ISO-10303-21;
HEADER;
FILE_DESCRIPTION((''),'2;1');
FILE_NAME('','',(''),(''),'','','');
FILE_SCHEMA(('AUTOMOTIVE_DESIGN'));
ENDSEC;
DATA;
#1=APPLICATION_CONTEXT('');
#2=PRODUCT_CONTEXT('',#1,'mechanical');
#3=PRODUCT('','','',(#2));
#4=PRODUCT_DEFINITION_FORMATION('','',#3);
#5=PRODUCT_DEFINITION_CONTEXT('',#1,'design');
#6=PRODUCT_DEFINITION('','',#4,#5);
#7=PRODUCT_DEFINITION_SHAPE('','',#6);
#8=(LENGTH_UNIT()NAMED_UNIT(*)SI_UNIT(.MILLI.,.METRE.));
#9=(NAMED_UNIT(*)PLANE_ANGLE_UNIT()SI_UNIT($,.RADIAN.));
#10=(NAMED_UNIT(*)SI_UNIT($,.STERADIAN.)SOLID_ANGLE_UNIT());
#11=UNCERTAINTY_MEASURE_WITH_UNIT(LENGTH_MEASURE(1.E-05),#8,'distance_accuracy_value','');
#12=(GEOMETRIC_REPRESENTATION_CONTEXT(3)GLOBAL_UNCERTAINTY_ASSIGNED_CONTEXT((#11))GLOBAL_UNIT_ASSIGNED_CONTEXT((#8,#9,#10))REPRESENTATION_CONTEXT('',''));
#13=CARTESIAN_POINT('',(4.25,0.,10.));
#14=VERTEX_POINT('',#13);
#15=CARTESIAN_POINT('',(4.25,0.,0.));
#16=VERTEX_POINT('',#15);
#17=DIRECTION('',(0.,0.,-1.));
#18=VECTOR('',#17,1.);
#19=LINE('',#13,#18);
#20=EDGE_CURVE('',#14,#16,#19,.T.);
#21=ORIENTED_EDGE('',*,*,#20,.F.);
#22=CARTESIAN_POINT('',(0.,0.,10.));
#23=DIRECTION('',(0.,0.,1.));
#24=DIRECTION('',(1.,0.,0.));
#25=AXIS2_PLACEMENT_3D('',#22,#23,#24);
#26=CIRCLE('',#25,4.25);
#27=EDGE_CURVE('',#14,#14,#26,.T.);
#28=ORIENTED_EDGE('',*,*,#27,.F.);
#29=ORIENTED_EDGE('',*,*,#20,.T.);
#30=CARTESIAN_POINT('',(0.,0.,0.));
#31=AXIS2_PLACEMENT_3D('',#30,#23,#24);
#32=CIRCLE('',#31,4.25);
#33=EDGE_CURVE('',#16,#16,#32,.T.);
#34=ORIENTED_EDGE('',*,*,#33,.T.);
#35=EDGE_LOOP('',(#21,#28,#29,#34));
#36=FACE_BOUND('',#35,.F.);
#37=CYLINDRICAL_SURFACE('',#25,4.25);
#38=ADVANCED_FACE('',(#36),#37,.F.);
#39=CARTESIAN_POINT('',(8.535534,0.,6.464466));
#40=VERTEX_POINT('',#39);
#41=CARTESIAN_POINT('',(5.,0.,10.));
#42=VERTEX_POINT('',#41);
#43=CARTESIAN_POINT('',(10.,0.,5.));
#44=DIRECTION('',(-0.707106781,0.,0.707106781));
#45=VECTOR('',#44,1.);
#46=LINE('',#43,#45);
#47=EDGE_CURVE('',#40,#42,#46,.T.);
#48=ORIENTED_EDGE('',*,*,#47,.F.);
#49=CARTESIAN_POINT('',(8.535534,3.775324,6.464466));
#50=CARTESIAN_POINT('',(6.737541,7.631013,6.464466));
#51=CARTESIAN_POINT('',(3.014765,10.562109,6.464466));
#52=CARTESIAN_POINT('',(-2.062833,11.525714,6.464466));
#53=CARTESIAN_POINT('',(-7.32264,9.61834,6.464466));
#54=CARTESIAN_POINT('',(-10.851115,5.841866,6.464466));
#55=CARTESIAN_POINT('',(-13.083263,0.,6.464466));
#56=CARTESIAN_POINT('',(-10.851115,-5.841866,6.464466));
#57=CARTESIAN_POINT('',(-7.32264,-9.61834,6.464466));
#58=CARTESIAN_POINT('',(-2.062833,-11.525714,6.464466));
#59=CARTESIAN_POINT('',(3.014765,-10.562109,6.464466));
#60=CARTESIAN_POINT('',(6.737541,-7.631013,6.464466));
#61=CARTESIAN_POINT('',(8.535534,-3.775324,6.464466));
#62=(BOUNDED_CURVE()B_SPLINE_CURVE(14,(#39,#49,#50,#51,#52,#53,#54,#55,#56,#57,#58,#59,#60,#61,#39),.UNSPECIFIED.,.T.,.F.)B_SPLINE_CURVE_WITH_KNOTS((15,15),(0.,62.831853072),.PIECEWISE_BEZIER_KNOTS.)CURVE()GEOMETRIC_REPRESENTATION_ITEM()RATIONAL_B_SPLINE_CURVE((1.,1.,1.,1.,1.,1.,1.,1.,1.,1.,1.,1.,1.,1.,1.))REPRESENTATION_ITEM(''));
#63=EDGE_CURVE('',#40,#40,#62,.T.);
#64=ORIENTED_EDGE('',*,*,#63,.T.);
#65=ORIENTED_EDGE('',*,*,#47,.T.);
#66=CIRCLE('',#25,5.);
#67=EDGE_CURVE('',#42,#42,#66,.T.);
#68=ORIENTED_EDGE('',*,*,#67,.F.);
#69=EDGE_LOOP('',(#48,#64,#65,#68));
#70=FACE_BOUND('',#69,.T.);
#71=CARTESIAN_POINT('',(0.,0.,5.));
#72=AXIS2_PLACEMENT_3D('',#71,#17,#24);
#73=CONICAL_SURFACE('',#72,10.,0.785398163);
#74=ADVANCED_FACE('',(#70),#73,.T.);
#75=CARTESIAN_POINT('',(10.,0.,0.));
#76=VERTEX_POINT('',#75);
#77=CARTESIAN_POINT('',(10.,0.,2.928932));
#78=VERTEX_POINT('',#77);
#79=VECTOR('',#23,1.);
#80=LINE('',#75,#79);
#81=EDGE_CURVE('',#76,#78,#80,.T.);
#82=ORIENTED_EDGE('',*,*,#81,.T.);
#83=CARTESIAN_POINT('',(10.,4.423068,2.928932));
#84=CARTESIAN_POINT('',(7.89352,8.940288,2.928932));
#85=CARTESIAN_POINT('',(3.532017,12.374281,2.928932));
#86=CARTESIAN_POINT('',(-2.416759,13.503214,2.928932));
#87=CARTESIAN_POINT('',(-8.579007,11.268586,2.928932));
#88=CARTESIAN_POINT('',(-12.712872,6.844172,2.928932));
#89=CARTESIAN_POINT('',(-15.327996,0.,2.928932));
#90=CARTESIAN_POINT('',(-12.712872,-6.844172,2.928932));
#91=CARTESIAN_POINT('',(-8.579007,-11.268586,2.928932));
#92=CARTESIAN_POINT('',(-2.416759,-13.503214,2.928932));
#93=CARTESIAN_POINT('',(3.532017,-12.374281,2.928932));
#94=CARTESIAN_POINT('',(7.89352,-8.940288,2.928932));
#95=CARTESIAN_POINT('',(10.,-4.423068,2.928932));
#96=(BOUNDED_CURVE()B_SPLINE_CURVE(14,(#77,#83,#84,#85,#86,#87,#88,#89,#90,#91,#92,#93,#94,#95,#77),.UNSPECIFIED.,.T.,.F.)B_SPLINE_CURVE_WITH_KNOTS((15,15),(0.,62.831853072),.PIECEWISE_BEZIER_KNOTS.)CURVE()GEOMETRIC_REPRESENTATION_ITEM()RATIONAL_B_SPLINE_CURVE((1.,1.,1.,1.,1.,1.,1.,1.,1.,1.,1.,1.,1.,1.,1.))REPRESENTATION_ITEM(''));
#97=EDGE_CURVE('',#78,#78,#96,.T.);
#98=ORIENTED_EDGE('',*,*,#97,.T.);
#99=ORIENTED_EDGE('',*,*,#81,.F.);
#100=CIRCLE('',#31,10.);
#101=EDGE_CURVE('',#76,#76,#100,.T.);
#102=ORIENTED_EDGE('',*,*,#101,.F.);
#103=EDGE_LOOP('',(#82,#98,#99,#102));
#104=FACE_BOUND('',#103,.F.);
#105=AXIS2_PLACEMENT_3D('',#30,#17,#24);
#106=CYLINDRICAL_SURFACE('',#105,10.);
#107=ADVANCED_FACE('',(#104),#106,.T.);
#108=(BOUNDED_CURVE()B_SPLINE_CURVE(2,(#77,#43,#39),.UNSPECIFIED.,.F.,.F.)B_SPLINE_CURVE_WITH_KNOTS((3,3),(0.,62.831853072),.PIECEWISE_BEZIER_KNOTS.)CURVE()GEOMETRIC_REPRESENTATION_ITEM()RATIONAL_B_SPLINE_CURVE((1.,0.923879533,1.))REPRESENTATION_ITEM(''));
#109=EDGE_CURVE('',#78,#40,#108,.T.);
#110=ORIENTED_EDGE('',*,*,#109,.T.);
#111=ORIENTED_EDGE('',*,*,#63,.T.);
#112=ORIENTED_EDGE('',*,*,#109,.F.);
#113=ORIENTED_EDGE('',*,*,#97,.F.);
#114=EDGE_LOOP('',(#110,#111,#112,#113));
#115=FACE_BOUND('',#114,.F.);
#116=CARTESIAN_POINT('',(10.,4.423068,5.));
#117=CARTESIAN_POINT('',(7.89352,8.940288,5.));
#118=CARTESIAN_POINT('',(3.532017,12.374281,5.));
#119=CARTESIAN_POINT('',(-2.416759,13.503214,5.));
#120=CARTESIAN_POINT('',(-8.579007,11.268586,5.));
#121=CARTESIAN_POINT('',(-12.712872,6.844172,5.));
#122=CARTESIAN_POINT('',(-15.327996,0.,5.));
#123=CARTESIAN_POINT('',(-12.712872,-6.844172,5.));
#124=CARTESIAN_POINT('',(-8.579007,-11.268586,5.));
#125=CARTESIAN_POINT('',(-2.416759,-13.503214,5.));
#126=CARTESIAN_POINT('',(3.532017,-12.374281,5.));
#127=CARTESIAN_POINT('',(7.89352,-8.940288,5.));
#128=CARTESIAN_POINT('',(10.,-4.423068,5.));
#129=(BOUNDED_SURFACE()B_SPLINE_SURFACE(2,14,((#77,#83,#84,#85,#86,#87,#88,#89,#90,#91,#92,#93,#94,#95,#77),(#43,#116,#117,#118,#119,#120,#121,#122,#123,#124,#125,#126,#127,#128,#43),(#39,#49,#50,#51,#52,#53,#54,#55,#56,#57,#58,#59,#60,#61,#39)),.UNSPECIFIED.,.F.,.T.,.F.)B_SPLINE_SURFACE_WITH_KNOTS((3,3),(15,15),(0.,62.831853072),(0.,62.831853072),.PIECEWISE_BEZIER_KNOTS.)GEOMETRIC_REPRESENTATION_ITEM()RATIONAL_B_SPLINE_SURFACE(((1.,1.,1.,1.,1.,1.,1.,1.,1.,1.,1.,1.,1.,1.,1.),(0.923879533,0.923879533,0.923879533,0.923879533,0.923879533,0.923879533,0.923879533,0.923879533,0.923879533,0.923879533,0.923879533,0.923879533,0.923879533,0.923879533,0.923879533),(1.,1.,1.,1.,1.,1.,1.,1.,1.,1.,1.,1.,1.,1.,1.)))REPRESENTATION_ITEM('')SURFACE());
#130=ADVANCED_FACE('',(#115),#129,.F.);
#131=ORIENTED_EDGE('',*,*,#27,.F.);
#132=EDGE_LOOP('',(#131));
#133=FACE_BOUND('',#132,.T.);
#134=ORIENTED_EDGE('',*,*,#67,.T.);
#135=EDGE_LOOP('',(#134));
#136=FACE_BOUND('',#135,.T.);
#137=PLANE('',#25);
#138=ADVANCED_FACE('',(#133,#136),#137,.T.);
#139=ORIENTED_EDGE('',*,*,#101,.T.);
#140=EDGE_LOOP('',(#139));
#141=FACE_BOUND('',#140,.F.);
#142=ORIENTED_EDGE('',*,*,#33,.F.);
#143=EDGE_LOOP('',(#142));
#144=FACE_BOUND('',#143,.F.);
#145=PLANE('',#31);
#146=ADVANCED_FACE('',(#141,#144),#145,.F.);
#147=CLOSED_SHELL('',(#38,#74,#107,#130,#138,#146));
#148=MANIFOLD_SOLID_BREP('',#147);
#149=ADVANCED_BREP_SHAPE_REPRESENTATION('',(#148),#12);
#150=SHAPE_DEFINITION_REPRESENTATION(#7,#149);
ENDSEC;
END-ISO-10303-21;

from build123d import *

# Parameters (mm, degrees)
F0_R     = 10
F1_DEPTH = 10
F2_R     = 4.25
F3_DEPTH = 10.001
F4_SIZE  = 5
F5_R     = 5


with BuildPart() as f1:
    # F0 (on Top) → F1 (new body)
    with BuildSketch(Plane.XY):
        Circle(F0_R)
    extrude(amount=F1_DEPTH)

    # F2 (on face) → F3 (cut, through all)
    with BuildSketch(Plane.XY.offset(10)):
        Circle(F2_R)
    extrude(amount=-F3_DEPTH, mode=Mode.SUBTRACT)

    # F4
    f4_edges = [f1.edges().sort_by_distance(p)[0] for p in [
        (-10, 0, 10),
    ]]
    chamfer(f4_edges, length=F4_SIZE)

    # F5
    f5_edges = [f1.edges().sort_by_distance(p)[0] for p in [
        (-10, 0, 5),
    ]]
    fillet(f5_edges, radius=F5_R)


solid = f1.part
